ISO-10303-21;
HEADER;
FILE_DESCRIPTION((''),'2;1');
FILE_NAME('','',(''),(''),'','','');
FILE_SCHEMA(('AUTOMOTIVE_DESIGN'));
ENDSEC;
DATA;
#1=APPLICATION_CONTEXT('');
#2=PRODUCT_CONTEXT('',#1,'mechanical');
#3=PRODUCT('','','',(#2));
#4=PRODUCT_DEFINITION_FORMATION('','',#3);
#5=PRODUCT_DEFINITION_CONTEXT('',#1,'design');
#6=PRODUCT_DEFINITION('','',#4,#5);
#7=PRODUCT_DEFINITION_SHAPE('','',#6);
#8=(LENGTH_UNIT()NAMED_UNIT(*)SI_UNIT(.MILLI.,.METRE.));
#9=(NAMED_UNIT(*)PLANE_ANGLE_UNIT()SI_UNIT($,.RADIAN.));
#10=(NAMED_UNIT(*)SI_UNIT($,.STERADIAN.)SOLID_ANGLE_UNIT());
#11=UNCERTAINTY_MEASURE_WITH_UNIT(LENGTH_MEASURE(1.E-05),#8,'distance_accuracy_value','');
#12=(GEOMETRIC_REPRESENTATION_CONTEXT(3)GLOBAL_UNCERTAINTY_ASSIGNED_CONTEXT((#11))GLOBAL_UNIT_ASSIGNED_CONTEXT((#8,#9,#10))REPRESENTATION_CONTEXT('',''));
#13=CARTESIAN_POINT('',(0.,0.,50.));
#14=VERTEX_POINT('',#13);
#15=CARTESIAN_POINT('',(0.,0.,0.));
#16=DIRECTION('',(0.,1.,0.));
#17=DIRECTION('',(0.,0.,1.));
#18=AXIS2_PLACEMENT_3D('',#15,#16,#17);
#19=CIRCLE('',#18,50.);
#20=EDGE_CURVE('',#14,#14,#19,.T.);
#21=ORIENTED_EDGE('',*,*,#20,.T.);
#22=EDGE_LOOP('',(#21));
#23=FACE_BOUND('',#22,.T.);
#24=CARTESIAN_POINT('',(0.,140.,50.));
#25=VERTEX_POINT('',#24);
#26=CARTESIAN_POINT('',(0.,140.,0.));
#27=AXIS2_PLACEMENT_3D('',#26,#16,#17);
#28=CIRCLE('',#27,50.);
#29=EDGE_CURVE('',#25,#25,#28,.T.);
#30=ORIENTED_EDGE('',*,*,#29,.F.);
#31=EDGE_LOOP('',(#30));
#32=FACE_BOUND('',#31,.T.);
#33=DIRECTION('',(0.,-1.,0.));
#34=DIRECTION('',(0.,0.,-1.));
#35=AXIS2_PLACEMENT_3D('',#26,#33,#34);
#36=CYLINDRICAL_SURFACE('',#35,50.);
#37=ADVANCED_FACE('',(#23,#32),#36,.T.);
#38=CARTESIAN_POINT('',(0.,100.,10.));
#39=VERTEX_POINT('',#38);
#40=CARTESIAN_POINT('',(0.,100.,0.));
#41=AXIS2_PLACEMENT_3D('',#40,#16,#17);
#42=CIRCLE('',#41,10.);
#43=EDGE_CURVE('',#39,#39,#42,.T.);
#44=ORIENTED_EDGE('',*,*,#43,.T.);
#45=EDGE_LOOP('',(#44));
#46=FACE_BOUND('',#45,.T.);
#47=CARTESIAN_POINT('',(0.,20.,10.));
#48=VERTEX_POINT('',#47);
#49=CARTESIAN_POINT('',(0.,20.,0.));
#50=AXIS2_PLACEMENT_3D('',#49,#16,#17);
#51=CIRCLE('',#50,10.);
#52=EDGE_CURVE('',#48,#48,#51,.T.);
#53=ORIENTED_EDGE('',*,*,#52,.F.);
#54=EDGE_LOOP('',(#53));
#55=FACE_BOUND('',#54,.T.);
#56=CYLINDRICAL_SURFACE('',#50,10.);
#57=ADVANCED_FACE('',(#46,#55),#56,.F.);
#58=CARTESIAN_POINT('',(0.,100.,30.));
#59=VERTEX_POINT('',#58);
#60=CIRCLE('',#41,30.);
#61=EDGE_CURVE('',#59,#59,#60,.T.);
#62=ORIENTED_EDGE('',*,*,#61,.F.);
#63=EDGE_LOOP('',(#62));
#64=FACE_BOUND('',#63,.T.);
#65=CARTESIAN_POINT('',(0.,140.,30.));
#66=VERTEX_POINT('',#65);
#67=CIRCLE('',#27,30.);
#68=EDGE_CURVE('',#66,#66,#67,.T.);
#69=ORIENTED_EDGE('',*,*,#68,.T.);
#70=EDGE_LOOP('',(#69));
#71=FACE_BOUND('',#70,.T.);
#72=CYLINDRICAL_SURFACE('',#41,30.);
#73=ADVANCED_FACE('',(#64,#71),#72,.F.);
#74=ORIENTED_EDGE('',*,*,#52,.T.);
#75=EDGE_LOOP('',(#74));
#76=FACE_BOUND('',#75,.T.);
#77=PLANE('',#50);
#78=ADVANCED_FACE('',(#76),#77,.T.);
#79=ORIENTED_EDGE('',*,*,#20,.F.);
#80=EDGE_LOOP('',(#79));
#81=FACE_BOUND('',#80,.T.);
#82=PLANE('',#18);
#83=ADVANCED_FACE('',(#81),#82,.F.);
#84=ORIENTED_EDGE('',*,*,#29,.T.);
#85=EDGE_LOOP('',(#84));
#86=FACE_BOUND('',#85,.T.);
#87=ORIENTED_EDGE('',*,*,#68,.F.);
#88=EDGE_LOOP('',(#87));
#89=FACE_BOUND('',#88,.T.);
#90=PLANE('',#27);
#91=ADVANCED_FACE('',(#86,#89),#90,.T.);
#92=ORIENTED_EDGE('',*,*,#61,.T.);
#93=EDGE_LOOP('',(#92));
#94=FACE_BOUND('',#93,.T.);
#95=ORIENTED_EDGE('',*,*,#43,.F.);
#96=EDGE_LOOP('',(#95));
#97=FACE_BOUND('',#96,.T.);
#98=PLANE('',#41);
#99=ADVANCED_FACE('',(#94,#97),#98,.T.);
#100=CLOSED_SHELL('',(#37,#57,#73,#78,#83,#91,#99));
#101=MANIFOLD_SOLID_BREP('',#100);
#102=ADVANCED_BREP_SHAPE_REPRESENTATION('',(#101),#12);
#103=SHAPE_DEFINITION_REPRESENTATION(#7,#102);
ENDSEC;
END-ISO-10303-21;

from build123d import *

# Parameters (mm, degrees)
SKETCH3_R           = 50
BOSS_EXTRUDE3_DEPTH = 140
SKETCH4_R           = 30
CUT_EXTRUDE1_DEPTH  = 40
SKETCH5_R           = 10
CUT_EXTRUDE2_DEPTH  = 80


with BuildPart() as part:
    # Sketch3 → Boss-Extrude3 (new body)
    with BuildSketch(Plane(origin=(0, 0, 0), x_dir=(1, 0, 0), z_dir=(0, 1, 0))):
        with Locations(Location((0, 0, 0), (0, 0, 270))):  # turned: the seam where the file's is
            Circle(SKETCH3_R)
    extrude(amount=BOSS_EXTRUDE3_DEPTH)

    # Sketch4 → Cut-Extrude1 (cut)
    with BuildSketch(Plane(origin=(0, 140, 0), x_dir=(1, 0, 0), z_dir=(0, 1, 0))):
        with Locations(Location((0, 0, 0), (0, 0, 270))):  # turned: the seam where the file's is
            Circle(SKETCH4_R)
    extrude(amount=-CUT_EXTRUDE1_DEPTH, mode=Mode.SUBTRACT)

    # Sketch5 → Cut-Extrude2 (cut)
    with BuildSketch(Plane(origin=(0, 100, 0), x_dir=(1, 0, 0), z_dir=(0, 1, 0))):
        with Locations(Location((0, 0, 0), (0, 0, 270))):  # turned: the seam where the file's is
            Circle(SKETCH5_R)
    extrude(amount=-CUT_EXTRUDE2_DEPTH, mode=Mode.SUBTRACT)


solid = part.part
